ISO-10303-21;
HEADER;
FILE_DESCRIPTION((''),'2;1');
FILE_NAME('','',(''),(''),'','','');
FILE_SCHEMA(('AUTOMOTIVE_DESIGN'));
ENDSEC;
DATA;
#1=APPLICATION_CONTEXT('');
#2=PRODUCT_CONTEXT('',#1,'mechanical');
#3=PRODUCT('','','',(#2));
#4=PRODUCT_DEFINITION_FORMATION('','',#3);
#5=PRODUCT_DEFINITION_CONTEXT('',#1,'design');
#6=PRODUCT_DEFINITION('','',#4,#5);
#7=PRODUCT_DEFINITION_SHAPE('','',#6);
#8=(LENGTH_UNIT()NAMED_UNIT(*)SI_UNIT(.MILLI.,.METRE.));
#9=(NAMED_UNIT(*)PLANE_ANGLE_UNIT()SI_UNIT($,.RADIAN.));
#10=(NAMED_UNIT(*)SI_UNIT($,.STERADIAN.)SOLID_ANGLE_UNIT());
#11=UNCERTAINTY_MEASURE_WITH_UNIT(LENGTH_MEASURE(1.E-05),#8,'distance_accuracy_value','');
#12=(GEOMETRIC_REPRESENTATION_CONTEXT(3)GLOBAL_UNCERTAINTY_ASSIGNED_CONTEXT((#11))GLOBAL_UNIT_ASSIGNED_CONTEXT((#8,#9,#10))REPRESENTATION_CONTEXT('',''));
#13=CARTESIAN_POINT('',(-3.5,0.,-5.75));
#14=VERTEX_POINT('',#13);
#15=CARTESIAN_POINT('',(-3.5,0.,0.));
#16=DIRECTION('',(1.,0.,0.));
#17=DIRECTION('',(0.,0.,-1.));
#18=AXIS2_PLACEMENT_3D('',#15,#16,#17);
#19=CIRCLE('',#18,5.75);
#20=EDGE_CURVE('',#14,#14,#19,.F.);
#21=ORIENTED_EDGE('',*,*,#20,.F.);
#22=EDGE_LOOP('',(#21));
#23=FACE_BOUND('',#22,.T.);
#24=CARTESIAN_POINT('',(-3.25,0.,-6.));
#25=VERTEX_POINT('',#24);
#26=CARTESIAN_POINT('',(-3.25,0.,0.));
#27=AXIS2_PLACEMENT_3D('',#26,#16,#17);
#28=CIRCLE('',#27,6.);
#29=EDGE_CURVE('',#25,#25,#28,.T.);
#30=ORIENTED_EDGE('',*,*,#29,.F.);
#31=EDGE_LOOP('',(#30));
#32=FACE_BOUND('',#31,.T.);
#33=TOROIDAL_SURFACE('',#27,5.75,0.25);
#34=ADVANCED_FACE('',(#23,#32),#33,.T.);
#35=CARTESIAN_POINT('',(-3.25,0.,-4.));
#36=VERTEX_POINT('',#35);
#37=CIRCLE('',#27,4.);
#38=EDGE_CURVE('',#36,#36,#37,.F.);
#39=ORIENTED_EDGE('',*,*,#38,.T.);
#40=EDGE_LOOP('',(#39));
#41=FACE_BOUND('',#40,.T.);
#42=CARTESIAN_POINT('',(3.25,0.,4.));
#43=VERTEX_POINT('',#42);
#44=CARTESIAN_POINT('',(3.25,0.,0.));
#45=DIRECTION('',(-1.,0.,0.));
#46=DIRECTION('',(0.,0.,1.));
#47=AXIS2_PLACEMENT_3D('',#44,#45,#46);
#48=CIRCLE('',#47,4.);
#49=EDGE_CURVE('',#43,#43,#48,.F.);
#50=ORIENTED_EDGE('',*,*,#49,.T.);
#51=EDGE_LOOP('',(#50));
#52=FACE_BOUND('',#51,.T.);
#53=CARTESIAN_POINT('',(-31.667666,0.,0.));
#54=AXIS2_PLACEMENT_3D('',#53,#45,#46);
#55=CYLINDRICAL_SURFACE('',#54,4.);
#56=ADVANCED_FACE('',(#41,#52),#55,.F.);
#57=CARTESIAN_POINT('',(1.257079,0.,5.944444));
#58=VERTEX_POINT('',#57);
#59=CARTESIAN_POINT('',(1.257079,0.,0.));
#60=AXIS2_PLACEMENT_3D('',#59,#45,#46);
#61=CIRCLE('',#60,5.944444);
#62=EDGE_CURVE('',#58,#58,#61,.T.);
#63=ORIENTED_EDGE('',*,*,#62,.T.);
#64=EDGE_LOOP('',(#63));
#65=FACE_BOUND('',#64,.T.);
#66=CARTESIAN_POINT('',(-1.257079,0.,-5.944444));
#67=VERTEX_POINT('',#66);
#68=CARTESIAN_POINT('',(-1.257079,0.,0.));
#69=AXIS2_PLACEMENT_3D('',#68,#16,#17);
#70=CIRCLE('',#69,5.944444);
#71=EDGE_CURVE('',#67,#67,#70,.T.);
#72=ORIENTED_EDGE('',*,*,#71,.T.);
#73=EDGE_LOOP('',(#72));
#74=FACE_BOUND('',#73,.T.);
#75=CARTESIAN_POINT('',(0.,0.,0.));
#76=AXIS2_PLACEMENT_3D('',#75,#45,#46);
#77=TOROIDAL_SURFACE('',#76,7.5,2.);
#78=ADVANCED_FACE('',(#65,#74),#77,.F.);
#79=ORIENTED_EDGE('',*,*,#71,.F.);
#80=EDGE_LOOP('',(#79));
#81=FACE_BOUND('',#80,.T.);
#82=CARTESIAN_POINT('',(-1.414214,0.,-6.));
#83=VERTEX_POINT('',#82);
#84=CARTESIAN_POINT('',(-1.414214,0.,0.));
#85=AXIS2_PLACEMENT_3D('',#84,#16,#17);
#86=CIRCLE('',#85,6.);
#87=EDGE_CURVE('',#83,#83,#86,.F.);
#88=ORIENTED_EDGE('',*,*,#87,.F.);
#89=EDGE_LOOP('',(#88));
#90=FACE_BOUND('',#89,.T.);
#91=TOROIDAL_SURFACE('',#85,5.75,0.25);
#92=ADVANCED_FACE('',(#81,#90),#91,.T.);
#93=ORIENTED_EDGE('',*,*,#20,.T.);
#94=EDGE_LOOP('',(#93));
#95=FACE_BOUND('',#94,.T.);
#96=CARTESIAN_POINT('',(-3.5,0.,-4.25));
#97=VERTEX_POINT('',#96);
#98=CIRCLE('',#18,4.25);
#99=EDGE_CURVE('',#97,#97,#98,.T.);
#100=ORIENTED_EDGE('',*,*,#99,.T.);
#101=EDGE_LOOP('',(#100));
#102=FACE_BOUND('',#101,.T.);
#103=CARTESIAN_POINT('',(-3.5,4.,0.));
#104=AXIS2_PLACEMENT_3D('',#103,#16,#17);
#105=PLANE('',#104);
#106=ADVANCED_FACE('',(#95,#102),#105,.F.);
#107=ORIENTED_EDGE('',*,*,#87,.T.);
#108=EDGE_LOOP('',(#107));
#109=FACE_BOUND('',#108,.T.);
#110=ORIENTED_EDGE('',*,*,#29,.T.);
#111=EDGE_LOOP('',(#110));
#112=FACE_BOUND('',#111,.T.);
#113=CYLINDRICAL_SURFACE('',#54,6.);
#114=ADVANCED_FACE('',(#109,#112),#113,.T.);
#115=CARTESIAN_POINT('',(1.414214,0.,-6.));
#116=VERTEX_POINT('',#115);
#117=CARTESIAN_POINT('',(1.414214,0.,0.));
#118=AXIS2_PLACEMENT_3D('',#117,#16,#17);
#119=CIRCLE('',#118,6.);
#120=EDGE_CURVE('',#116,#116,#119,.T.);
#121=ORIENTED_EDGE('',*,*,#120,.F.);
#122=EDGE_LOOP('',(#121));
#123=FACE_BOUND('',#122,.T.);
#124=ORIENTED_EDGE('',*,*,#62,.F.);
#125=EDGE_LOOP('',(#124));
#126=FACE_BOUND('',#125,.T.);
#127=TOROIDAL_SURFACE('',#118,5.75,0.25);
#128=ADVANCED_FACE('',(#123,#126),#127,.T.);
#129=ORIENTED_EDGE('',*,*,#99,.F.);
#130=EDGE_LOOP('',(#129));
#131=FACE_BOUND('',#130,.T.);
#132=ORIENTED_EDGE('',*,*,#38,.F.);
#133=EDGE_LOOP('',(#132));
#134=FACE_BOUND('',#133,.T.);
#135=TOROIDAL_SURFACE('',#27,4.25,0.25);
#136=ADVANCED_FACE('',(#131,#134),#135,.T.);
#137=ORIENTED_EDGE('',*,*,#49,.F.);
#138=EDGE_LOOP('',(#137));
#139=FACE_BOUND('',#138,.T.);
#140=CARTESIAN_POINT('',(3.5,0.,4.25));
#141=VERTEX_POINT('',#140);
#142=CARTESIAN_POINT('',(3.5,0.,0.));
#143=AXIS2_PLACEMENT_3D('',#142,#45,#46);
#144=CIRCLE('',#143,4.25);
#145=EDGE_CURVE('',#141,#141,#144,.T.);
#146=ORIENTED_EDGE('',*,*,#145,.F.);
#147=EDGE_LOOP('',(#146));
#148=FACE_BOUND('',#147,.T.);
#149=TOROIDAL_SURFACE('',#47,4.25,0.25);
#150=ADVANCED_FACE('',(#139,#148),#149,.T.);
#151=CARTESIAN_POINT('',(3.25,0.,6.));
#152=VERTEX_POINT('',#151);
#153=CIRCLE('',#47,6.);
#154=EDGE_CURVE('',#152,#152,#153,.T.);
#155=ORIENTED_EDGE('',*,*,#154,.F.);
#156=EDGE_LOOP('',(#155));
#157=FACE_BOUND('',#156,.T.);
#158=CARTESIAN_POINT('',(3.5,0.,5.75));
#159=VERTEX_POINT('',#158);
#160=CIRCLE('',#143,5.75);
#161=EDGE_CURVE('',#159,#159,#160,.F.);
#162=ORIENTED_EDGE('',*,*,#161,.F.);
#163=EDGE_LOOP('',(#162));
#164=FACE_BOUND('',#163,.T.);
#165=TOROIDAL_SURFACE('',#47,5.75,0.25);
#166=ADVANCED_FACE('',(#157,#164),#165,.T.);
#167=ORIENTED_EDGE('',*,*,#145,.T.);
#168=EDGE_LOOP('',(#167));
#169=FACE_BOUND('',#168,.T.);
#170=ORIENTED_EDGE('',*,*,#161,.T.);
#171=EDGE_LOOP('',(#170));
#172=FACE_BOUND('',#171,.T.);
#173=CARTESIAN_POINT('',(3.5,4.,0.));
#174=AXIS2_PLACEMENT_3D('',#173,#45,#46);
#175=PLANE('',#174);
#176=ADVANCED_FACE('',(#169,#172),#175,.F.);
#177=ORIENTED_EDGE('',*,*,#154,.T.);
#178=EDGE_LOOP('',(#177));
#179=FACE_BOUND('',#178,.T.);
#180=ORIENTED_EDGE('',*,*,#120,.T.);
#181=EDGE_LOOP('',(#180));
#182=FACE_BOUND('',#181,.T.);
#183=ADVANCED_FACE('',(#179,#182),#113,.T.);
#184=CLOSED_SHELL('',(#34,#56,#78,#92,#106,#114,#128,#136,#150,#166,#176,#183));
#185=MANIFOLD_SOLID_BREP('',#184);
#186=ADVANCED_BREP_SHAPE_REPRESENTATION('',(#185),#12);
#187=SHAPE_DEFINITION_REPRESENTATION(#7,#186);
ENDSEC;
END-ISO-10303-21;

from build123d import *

# Parameters (mm, degrees)
CONG_1_R = 0.25


with BuildPart() as part:
    # Esquisse1 → Révolution1 (revolve)
    with BuildSketch(Plane.XY, mode=Mode.PRIVATE) as r_volution1_sk:
        with BuildLine():
            Line((1.322875656, 6), (3.5, 6))
            Line((3.5, 6), (3.5, 4))
            Line((3.5, 4), (-3.5, 4))
            Line((-3.5, 4), (-3.5, 6))
            Line((-3.5, 6), (-1.322875656, 6))
            ThreePointArc((-1.322875656, 6), (0, 5.5), (1.322875656, 6))
        make_face()
    revolve(r_volution1_sk.sketch.rotate(Axis((-31.667666126, 0, 0), (1, 0, 0)), 90), axis=Axis((-31.667666126, 0, 0), (1, 0, 0)))

    # Congé1
    cong_1_edges = [part.edges().sort_by_distance(p)[0] for p in [
        (1.322875656, 0, -6),
        (3.5, 0, -6),
        (3.5, 0, -4),
        (-3.5, 0, -4),
        (-3.5, 0, -6),
        (-1.322875656, 0, -6),
    ]]
    fillet(cong_1_edges, radius=CONG_1_R)


solid = part.part
